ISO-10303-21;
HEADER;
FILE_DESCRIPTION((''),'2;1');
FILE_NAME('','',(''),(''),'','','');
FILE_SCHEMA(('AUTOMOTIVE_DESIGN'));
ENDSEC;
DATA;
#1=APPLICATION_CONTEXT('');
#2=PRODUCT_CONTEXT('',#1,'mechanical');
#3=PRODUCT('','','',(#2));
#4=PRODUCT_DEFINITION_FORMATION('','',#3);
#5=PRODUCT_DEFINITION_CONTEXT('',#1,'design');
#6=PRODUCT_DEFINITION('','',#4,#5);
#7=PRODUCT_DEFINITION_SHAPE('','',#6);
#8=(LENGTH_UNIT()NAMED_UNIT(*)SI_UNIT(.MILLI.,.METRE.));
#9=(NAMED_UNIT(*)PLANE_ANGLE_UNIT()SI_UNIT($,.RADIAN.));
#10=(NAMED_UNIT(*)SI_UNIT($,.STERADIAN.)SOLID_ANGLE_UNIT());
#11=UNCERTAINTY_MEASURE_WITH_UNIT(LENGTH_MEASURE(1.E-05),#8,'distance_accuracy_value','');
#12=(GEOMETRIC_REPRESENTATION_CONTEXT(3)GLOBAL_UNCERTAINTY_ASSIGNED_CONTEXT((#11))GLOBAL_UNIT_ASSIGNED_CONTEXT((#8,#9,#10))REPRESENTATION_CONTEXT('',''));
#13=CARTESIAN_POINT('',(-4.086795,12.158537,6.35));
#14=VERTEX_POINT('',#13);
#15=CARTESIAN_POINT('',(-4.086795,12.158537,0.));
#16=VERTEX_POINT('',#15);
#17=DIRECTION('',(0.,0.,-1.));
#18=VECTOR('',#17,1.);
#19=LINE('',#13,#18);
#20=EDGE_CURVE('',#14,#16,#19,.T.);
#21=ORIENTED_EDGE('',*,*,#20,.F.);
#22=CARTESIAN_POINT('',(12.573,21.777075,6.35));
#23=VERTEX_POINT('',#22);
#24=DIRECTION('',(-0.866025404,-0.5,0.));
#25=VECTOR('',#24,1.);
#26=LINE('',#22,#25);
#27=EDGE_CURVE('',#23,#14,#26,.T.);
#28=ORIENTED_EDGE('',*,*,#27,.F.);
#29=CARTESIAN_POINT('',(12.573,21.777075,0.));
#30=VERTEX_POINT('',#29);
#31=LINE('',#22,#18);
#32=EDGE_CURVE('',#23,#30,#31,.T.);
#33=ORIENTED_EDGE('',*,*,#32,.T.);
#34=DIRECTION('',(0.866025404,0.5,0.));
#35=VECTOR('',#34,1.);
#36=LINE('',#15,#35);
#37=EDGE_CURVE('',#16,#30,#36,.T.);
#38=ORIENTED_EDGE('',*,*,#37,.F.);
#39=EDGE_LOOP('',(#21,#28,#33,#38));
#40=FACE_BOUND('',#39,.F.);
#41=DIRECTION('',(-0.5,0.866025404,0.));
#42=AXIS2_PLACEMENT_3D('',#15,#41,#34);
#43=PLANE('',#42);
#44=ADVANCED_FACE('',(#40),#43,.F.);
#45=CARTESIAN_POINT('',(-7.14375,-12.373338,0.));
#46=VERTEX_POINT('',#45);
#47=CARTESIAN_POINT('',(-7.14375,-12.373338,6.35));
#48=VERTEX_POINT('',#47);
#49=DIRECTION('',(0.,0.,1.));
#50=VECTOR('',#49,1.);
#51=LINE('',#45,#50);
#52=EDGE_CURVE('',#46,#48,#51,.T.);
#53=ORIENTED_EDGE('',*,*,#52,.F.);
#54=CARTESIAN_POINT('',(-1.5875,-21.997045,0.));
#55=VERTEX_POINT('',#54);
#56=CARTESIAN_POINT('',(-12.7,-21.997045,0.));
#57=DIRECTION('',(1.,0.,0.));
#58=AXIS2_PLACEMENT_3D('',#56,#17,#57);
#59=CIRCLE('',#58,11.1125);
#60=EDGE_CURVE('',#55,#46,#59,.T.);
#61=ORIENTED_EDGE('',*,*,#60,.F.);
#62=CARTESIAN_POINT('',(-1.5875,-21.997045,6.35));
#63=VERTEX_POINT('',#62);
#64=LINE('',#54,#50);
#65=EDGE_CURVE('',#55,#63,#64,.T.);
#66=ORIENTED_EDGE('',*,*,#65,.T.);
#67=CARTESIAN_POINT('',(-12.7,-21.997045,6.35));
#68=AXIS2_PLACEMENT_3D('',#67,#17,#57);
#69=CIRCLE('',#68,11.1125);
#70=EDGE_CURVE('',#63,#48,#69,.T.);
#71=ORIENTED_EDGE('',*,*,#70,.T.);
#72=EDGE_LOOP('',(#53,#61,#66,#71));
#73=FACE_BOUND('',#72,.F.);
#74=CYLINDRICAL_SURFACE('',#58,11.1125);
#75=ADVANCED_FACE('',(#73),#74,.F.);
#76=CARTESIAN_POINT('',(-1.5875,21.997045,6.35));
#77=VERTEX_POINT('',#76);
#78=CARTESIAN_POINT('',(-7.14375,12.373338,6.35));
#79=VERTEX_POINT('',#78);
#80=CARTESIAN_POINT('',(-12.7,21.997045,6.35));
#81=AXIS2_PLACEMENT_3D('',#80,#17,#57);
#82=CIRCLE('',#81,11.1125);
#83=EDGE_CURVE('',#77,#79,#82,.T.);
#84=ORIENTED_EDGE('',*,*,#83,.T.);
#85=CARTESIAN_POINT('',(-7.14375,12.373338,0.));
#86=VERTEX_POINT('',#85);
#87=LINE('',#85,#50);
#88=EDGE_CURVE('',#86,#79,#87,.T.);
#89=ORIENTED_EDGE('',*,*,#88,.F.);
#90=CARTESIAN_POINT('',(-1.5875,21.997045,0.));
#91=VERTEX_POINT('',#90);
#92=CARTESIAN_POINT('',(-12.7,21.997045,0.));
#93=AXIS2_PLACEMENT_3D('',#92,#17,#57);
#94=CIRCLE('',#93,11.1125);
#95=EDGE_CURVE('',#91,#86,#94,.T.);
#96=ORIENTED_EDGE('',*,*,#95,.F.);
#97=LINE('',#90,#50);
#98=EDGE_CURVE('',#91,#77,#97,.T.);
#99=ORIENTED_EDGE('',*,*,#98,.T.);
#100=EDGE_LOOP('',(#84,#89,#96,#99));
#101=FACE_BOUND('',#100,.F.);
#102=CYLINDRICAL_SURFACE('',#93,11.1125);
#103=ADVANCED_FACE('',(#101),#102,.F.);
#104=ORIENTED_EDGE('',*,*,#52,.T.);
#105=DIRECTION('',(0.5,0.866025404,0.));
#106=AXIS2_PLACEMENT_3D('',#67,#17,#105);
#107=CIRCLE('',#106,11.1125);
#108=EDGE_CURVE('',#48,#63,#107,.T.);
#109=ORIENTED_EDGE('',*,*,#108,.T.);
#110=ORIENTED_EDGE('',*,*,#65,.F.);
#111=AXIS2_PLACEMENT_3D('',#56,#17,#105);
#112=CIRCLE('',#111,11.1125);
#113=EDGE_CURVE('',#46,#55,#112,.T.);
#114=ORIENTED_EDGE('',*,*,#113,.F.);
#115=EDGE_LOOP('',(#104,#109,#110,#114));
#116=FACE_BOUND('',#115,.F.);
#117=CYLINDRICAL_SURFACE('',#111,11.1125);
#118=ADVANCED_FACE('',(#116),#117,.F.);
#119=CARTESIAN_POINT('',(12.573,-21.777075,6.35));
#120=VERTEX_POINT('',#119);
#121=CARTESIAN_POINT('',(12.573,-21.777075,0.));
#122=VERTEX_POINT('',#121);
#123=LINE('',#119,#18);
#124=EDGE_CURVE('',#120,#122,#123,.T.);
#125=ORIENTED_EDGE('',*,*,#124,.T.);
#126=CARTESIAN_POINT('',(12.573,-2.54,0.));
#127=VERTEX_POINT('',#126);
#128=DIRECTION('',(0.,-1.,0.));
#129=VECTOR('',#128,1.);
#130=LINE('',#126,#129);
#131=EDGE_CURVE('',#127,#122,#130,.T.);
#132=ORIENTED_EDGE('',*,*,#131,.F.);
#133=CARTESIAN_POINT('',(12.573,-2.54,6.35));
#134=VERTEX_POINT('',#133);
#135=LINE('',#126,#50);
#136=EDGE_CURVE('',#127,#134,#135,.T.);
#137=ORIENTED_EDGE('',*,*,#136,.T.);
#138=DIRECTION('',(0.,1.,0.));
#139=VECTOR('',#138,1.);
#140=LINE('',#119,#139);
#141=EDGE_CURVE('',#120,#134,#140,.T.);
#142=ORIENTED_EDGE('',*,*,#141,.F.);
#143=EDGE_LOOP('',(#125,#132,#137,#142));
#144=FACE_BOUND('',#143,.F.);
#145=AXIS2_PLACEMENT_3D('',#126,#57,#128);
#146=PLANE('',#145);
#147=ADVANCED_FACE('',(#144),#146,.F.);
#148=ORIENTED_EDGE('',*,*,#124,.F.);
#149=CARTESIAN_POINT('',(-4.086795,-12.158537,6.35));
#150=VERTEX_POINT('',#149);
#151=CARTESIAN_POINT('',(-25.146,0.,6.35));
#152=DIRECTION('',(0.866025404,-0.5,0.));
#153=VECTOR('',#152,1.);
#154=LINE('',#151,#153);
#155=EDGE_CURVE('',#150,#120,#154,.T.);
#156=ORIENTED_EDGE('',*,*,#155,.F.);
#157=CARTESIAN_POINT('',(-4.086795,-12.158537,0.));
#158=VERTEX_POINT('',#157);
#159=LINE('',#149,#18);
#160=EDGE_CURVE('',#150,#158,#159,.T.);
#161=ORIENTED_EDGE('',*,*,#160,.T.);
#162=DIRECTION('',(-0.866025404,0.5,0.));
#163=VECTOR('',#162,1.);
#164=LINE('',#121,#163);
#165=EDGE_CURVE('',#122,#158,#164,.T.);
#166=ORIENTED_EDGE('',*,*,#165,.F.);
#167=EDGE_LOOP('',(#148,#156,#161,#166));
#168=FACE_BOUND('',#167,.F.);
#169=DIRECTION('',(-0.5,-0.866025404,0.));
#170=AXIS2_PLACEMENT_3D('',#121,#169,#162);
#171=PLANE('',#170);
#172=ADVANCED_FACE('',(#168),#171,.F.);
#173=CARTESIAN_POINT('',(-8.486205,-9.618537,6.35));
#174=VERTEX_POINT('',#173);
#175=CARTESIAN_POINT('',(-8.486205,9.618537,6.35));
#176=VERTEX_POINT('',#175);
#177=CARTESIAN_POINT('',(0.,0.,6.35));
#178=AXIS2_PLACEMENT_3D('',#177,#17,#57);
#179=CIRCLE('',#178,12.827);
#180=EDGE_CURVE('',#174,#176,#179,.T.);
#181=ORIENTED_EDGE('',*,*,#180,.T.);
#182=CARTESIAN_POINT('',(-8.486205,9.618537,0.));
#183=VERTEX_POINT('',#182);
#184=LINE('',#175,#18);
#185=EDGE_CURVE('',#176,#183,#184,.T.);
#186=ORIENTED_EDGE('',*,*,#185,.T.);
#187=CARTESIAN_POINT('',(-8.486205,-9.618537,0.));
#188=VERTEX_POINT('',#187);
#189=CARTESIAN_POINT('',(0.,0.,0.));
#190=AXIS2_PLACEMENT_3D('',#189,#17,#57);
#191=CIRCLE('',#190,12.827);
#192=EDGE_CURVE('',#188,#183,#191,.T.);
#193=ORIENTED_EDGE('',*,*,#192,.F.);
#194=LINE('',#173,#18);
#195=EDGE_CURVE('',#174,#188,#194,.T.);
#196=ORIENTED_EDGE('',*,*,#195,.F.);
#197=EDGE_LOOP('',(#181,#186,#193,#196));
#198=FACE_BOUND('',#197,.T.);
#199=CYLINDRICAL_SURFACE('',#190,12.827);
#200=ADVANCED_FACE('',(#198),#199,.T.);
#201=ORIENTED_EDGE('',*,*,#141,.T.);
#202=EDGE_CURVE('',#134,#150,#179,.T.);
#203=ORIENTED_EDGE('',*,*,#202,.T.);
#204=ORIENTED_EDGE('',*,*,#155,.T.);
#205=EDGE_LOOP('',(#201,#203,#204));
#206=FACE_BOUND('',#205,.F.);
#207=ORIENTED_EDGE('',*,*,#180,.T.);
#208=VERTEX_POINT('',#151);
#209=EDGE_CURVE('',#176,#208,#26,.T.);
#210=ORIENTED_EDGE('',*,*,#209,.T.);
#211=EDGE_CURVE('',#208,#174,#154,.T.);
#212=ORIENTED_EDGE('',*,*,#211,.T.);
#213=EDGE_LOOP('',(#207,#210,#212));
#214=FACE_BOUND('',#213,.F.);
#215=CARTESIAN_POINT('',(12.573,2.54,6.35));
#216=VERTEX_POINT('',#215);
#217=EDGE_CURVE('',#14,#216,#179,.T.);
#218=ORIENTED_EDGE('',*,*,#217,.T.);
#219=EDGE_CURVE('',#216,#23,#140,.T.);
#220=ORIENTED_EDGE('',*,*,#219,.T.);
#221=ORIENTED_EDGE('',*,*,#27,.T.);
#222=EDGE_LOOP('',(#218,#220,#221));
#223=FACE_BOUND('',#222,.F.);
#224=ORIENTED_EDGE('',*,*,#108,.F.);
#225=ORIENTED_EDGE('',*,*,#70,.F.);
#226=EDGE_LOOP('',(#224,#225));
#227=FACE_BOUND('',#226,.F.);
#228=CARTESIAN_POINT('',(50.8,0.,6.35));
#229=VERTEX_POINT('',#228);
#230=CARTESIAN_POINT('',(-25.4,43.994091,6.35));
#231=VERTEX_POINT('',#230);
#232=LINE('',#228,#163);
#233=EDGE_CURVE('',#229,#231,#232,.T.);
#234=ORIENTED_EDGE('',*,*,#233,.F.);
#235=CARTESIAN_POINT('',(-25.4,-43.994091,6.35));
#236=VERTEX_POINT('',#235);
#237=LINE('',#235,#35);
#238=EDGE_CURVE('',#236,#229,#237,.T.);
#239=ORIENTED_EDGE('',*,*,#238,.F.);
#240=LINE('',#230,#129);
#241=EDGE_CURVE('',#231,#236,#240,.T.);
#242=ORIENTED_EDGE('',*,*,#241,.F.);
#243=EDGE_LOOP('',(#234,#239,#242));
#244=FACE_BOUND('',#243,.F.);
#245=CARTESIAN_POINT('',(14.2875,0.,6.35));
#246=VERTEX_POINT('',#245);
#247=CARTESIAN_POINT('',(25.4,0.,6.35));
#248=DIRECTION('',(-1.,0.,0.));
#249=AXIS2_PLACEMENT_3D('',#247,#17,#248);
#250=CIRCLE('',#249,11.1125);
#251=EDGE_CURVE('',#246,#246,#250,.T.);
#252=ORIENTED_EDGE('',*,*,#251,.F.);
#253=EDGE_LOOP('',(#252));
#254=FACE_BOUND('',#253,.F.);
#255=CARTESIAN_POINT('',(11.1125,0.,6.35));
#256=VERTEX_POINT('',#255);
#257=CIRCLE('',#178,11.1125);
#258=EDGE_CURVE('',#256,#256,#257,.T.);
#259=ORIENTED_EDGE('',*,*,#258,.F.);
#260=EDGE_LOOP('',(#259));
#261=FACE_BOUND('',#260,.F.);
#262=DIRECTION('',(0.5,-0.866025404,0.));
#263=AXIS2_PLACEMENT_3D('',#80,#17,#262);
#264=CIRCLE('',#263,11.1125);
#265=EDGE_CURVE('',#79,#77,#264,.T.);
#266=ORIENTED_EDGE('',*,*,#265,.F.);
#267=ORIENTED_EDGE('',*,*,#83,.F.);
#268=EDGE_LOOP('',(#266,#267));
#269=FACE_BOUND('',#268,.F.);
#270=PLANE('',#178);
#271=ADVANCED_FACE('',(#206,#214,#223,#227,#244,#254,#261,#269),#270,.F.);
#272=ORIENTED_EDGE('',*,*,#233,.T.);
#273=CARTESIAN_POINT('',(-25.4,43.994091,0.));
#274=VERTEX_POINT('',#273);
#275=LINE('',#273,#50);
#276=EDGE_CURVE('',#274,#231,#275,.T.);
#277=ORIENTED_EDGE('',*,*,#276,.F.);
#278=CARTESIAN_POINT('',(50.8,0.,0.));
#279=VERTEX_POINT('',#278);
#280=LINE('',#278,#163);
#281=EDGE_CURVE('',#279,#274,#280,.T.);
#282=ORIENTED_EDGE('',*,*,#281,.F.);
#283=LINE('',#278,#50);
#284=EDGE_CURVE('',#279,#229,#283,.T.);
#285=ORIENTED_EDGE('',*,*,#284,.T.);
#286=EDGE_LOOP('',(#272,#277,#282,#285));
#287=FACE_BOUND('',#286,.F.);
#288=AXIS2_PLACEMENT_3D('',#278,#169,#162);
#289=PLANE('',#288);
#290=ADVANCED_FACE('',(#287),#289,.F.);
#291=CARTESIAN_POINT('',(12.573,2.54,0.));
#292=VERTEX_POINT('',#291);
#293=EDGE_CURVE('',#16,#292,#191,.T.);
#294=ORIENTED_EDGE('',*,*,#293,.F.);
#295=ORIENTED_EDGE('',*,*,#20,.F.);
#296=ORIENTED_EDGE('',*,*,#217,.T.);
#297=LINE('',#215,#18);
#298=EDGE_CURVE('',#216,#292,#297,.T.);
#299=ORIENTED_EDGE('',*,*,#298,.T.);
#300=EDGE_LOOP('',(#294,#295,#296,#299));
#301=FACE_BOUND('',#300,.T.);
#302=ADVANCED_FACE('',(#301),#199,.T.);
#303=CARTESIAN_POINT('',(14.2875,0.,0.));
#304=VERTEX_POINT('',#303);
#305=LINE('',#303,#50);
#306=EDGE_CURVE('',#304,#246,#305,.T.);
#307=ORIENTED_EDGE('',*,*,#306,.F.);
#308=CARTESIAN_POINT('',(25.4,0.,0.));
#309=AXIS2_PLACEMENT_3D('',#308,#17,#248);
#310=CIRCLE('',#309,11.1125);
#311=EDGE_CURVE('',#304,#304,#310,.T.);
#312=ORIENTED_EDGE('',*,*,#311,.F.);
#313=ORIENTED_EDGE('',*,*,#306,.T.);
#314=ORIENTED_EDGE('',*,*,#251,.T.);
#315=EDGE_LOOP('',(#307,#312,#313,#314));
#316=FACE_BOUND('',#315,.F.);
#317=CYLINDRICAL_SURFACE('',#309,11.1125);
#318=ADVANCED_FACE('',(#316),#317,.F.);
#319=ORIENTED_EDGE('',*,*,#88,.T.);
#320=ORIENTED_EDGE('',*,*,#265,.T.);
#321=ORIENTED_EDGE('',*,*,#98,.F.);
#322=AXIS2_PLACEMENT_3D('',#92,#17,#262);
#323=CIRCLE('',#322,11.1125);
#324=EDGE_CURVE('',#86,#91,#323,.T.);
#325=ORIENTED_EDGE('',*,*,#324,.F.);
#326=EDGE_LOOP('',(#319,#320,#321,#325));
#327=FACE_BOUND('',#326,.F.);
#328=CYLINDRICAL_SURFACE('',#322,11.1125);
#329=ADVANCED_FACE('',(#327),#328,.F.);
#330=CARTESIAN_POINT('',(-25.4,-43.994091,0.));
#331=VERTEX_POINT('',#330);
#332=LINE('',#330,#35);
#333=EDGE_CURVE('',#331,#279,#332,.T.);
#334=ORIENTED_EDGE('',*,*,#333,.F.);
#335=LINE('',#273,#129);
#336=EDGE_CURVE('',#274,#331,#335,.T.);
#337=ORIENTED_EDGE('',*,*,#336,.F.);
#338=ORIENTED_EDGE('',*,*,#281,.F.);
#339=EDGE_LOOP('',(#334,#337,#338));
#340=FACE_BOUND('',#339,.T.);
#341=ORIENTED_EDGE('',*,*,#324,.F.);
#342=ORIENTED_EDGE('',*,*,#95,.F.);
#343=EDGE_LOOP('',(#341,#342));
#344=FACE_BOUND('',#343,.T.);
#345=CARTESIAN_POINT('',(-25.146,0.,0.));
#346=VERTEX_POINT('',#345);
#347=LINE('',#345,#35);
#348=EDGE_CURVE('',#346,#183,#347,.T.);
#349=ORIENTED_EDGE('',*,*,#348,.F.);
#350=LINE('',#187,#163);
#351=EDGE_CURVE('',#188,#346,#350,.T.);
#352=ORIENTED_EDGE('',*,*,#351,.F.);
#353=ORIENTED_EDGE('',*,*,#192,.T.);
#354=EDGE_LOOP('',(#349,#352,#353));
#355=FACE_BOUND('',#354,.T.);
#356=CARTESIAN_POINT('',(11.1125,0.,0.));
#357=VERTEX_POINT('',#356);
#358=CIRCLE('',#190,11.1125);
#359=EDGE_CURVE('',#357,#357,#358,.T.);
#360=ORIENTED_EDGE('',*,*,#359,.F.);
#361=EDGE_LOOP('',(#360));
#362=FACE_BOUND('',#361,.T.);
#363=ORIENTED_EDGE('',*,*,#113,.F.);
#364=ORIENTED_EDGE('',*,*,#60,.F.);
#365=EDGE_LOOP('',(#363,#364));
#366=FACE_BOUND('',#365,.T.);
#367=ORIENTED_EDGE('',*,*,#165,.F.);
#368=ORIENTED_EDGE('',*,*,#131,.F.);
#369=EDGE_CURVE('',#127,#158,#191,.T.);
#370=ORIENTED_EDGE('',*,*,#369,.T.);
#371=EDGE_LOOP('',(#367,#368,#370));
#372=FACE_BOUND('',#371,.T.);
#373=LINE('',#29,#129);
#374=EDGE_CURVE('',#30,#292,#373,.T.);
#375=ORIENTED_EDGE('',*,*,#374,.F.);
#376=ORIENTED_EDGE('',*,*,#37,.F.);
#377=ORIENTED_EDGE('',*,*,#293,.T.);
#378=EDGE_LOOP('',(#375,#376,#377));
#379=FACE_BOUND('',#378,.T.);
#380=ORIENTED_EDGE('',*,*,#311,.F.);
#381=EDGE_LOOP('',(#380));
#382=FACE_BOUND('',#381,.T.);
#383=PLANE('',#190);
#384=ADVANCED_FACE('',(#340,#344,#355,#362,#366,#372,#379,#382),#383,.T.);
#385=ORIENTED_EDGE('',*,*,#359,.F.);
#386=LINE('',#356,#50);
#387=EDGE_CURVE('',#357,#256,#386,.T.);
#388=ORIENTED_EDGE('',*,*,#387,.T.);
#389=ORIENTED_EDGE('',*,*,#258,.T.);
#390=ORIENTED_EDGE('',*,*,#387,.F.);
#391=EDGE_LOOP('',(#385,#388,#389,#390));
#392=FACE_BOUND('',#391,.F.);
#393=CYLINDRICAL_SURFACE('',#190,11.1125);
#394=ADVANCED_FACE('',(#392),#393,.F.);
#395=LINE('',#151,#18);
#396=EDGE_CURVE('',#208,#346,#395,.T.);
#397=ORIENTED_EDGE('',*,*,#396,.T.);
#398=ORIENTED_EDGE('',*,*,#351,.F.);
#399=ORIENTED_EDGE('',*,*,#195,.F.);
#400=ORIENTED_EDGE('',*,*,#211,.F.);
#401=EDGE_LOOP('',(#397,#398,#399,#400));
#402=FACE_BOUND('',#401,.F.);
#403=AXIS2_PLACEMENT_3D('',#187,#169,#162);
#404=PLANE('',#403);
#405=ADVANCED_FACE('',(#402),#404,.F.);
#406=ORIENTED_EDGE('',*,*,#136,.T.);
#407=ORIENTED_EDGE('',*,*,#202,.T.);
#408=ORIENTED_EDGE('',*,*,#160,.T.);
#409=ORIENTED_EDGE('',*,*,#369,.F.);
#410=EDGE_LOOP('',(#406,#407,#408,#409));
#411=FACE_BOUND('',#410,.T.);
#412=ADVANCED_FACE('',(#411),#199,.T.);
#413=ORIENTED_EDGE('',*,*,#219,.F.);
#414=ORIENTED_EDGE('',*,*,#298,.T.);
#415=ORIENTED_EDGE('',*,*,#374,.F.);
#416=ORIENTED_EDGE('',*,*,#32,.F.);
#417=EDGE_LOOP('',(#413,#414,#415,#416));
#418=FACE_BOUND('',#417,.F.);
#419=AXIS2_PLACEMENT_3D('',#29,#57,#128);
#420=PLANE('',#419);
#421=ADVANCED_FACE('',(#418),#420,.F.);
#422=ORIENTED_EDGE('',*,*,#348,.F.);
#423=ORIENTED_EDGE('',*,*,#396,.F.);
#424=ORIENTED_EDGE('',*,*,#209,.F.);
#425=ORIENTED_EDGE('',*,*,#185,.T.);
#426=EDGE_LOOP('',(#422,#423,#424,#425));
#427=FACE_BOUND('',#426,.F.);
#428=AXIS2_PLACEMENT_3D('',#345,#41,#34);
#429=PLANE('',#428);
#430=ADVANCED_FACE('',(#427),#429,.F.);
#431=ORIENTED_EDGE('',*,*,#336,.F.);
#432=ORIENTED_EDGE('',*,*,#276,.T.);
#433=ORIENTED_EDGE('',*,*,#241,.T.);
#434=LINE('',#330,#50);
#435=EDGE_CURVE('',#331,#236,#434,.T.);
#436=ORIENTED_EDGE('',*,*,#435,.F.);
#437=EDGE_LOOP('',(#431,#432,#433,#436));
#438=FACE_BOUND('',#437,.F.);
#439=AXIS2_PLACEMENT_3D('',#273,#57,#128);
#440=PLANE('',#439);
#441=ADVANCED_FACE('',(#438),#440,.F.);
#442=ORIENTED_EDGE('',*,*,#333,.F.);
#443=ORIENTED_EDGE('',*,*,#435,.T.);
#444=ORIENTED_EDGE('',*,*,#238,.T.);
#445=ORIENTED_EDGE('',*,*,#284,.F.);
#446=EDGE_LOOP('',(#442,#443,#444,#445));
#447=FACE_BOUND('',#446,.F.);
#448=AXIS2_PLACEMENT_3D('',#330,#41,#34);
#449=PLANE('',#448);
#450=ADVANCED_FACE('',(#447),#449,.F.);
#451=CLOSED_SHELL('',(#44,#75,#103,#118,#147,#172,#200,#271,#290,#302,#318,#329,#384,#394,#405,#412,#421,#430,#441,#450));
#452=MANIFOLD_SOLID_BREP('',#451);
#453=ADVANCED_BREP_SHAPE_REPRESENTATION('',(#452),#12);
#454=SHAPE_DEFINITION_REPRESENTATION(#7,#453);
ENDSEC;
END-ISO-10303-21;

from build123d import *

# Parameters (mm, degrees)
F1_DEPTH = 6.35
F3_DEPTH = 1.27
F5_DEPTH = 6.35
F6_R     = 12.827
F6_R_2   = 11.1125
F7_DEPTH = 6.35


with BuildPart() as f1:
    # F0 (on Top) → F1 (new body)
    with BuildSketch(Plane.XY):
        Polygon((50.8, 0), (12.7, 21.9970452561), (12.7, 0), (12.7, -21.9970452561), align=None)
        with BuildLine():
            ThreePointArc((36.5125, 0), (25.4, -11.1125), (14.2875, 0))
            ThreePointArc((14.2875, 0), (25.4, 11.1125), (36.5125, 0))
        make_face(mode=Mode.SUBTRACT)
        with BuildLine():
            Line((12.7, 0), (12.7, 21.9970452561))
            Line((12.7, 21.9970452561), (-6.35, 10.9985226281))
            Line((-6.35, 10.9985226281), (-5.55625, 9.6237072996))
            ThreePointArc((-5.55625, 9.6237072996), (5.55625, 9.6237072996), (11.1125, 0))
            Line((11.1125, 0), (12.7, 0))
        make_face()
        Polygon((-6.35, 10.9985226281), (12.7, 21.9970452561), (-25.4, 43.9940905122), (-25.4, 0), align=None)
        with BuildLine():
            ThreePointArc((-1.5875, 21.9970452561), (-3.0762927004, 16.4407952561), (-7.14375, 12.3733379566))
            ThreePointArc((-7.14375, 12.3733379566), (-22.3237072996, 27.5532952561), (-1.5875, 21.9970452561))
        make_face(mode=Mode.SUBTRACT)
        with BuildLine():
            Line((12.7, -21.9970452561), (12.7, 0))
            Line((12.7, 0), (11.1125, 0))
            ThreePointArc((11.1125, 0), (5.55625, -9.6237072996), (-5.55625, -9.6237072996))
            Line((-5.55625, -9.6237072996), (-6.35, -10.9985226281))
            Line((-6.35, -10.9985226281), (12.7, -21.9970452561))
        make_face()
        with BuildLine():
            Line((-5.55625, 9.6237072996), (-6.35, 10.9985226281))
            Line((-6.35, 10.9985226281), (-25.4, 0))
            Line((-25.4, 0), (-6.35, -10.9985226281))
            Line((-6.35, -10.9985226281), (-5.55625, -9.6237072996))
            ThreePointArc((-5.55625, -9.6237072996), (-11.1125, 0), (-5.55625, 9.6237072996))
        make_face()
        Polygon((-25.4, -43.9940905122), (12.7, -21.9970452561), (-6.35, -10.9985226281), (-25.4, 0), align=None)
        with BuildLine():
            ThreePointArc((-1.5875, -21.9970452561), (-22.3237072996, -27.5532952561), (-7.14375, -12.3733379566))
            ThreePointArc((-7.14375, -12.3733379566), (-3.0762927004, -16.4407952561), (-1.5875, -21.9970452561))
        make_face(mode=Mode.SUBTRACT)
    extrude(amount=F1_DEPTH)

    # F2 (on face) → F3 (cut)
    with BuildSketch(Plane.XY.offset(6.35)):
        Polygon((12.573, -21.7770748036), (12.573, 21.7770748036), (-25.146, 0), align=None)
        Polygon((-22.8768289089, 0), (11.4384144545, 19.8119149932), (11.4384144545, -19.8119149932), align=None, mode=Mode.SUBTRACT)
    extrude(amount=-F3_DEPTH, mode=Mode.SUBTRACT)

    # F4 (on face) → F5 (cut)
    with BuildSketch(Plane(origin=(0, 0, 0), x_dir=(1, 0, 0), z_dir=(0, 0, -1))):
        with BuildLine():
            Line((12.573, 2.54), (12.573, 21.7770748036))
            Line((12.573, 21.7770748036), (-4.0867954744, 12.1585374018))
            ThreePointArc((-4.0867954744, 12.1585374018), (6.4135, 11.1085078543), (12.573, 2.54))
        make_face()
        with BuildLine():
            ThreePointArc((12.827, 0), (12.7633420388, 1.2763342039), (12.573, 2.54))
            Line((12.573, 2.54), (12.573, -2.54))
            ThreePointArc((12.573, -2.54), (12.7633420388, -1.2763342039), (12.827, 0))
        make_face()
        with BuildLine():
            Line((12.573, -2.54), (12.573, 2.54))
            ThreePointArc((12.573, 2.54), (6.4135, 11.1085078543), (-4.0867954744, 12.1585374018))
            Line((-4.0867954744, 12.1585374018), (-8.4862045256, 9.6185374018))
            ThreePointArc((-8.4862045256, 9.6185374018), (-12.827, 0), (-8.4862045256, -9.6185374018))
            Line((-8.4862045256, -9.6185374018), (-4.0867954744, -12.1585374018))
            ThreePointArc((-4.0867954744, -12.1585374018), (6.4135, -11.1085078543), (12.573, -2.54))
        make_face()
        with BuildLine():
            Line((-8.4862045256, 9.6185374018), (-4.0867954744, 12.1585374018))
            ThreePointArc((-4.0867954744, 12.1585374018), (-6.4135, 11.1085078543), (-8.4862045256, 9.6185374018))
        make_face()
        with BuildLine():
            Line((12.573, -21.7770748036), (12.573, -2.54))
            ThreePointArc((12.573, -2.54), (6.4135, -11.1085078543), (-4.0867954744, -12.1585374018))
            Line((-4.0867954744, -12.1585374018), (12.573, -21.7770748036))
        make_face()
        with BuildLine():
            ThreePointArc((-8.4862045256, -9.6185374018), (-12.827, 0), (-8.4862045256, 9.6185374018))
            Line((-8.4862045256, 9.6185374018), (-25.146, 0))
            Line((-25.146, 0), (-8.4862045256, -9.6185374018))
        make_face()
        with BuildLine():
            ThreePointArc((-8.4862045256, -9.6185374018), (-6.4135, -11.1085078543), (-4.0867954744, -12.1585374018))
            Line((-4.0867954744, -12.1585374018), (-8.4862045256, -9.6185374018))
        make_face()
    extrude(amount=-F5_DEPTH, mode=Mode.SUBTRACT)

    # F6 (on face) → F7 (join)
    with BuildSketch(Plane(origin=(0, 0, 0), x_dir=(1, 0, 0), z_dir=(0, 0, -1))):
        Circle(F6_R)
        Circle(F6_R_2, mode=Mode.SUBTRACT)
    extrude(amount=-F7_DEPTH)


solid = f1.part
